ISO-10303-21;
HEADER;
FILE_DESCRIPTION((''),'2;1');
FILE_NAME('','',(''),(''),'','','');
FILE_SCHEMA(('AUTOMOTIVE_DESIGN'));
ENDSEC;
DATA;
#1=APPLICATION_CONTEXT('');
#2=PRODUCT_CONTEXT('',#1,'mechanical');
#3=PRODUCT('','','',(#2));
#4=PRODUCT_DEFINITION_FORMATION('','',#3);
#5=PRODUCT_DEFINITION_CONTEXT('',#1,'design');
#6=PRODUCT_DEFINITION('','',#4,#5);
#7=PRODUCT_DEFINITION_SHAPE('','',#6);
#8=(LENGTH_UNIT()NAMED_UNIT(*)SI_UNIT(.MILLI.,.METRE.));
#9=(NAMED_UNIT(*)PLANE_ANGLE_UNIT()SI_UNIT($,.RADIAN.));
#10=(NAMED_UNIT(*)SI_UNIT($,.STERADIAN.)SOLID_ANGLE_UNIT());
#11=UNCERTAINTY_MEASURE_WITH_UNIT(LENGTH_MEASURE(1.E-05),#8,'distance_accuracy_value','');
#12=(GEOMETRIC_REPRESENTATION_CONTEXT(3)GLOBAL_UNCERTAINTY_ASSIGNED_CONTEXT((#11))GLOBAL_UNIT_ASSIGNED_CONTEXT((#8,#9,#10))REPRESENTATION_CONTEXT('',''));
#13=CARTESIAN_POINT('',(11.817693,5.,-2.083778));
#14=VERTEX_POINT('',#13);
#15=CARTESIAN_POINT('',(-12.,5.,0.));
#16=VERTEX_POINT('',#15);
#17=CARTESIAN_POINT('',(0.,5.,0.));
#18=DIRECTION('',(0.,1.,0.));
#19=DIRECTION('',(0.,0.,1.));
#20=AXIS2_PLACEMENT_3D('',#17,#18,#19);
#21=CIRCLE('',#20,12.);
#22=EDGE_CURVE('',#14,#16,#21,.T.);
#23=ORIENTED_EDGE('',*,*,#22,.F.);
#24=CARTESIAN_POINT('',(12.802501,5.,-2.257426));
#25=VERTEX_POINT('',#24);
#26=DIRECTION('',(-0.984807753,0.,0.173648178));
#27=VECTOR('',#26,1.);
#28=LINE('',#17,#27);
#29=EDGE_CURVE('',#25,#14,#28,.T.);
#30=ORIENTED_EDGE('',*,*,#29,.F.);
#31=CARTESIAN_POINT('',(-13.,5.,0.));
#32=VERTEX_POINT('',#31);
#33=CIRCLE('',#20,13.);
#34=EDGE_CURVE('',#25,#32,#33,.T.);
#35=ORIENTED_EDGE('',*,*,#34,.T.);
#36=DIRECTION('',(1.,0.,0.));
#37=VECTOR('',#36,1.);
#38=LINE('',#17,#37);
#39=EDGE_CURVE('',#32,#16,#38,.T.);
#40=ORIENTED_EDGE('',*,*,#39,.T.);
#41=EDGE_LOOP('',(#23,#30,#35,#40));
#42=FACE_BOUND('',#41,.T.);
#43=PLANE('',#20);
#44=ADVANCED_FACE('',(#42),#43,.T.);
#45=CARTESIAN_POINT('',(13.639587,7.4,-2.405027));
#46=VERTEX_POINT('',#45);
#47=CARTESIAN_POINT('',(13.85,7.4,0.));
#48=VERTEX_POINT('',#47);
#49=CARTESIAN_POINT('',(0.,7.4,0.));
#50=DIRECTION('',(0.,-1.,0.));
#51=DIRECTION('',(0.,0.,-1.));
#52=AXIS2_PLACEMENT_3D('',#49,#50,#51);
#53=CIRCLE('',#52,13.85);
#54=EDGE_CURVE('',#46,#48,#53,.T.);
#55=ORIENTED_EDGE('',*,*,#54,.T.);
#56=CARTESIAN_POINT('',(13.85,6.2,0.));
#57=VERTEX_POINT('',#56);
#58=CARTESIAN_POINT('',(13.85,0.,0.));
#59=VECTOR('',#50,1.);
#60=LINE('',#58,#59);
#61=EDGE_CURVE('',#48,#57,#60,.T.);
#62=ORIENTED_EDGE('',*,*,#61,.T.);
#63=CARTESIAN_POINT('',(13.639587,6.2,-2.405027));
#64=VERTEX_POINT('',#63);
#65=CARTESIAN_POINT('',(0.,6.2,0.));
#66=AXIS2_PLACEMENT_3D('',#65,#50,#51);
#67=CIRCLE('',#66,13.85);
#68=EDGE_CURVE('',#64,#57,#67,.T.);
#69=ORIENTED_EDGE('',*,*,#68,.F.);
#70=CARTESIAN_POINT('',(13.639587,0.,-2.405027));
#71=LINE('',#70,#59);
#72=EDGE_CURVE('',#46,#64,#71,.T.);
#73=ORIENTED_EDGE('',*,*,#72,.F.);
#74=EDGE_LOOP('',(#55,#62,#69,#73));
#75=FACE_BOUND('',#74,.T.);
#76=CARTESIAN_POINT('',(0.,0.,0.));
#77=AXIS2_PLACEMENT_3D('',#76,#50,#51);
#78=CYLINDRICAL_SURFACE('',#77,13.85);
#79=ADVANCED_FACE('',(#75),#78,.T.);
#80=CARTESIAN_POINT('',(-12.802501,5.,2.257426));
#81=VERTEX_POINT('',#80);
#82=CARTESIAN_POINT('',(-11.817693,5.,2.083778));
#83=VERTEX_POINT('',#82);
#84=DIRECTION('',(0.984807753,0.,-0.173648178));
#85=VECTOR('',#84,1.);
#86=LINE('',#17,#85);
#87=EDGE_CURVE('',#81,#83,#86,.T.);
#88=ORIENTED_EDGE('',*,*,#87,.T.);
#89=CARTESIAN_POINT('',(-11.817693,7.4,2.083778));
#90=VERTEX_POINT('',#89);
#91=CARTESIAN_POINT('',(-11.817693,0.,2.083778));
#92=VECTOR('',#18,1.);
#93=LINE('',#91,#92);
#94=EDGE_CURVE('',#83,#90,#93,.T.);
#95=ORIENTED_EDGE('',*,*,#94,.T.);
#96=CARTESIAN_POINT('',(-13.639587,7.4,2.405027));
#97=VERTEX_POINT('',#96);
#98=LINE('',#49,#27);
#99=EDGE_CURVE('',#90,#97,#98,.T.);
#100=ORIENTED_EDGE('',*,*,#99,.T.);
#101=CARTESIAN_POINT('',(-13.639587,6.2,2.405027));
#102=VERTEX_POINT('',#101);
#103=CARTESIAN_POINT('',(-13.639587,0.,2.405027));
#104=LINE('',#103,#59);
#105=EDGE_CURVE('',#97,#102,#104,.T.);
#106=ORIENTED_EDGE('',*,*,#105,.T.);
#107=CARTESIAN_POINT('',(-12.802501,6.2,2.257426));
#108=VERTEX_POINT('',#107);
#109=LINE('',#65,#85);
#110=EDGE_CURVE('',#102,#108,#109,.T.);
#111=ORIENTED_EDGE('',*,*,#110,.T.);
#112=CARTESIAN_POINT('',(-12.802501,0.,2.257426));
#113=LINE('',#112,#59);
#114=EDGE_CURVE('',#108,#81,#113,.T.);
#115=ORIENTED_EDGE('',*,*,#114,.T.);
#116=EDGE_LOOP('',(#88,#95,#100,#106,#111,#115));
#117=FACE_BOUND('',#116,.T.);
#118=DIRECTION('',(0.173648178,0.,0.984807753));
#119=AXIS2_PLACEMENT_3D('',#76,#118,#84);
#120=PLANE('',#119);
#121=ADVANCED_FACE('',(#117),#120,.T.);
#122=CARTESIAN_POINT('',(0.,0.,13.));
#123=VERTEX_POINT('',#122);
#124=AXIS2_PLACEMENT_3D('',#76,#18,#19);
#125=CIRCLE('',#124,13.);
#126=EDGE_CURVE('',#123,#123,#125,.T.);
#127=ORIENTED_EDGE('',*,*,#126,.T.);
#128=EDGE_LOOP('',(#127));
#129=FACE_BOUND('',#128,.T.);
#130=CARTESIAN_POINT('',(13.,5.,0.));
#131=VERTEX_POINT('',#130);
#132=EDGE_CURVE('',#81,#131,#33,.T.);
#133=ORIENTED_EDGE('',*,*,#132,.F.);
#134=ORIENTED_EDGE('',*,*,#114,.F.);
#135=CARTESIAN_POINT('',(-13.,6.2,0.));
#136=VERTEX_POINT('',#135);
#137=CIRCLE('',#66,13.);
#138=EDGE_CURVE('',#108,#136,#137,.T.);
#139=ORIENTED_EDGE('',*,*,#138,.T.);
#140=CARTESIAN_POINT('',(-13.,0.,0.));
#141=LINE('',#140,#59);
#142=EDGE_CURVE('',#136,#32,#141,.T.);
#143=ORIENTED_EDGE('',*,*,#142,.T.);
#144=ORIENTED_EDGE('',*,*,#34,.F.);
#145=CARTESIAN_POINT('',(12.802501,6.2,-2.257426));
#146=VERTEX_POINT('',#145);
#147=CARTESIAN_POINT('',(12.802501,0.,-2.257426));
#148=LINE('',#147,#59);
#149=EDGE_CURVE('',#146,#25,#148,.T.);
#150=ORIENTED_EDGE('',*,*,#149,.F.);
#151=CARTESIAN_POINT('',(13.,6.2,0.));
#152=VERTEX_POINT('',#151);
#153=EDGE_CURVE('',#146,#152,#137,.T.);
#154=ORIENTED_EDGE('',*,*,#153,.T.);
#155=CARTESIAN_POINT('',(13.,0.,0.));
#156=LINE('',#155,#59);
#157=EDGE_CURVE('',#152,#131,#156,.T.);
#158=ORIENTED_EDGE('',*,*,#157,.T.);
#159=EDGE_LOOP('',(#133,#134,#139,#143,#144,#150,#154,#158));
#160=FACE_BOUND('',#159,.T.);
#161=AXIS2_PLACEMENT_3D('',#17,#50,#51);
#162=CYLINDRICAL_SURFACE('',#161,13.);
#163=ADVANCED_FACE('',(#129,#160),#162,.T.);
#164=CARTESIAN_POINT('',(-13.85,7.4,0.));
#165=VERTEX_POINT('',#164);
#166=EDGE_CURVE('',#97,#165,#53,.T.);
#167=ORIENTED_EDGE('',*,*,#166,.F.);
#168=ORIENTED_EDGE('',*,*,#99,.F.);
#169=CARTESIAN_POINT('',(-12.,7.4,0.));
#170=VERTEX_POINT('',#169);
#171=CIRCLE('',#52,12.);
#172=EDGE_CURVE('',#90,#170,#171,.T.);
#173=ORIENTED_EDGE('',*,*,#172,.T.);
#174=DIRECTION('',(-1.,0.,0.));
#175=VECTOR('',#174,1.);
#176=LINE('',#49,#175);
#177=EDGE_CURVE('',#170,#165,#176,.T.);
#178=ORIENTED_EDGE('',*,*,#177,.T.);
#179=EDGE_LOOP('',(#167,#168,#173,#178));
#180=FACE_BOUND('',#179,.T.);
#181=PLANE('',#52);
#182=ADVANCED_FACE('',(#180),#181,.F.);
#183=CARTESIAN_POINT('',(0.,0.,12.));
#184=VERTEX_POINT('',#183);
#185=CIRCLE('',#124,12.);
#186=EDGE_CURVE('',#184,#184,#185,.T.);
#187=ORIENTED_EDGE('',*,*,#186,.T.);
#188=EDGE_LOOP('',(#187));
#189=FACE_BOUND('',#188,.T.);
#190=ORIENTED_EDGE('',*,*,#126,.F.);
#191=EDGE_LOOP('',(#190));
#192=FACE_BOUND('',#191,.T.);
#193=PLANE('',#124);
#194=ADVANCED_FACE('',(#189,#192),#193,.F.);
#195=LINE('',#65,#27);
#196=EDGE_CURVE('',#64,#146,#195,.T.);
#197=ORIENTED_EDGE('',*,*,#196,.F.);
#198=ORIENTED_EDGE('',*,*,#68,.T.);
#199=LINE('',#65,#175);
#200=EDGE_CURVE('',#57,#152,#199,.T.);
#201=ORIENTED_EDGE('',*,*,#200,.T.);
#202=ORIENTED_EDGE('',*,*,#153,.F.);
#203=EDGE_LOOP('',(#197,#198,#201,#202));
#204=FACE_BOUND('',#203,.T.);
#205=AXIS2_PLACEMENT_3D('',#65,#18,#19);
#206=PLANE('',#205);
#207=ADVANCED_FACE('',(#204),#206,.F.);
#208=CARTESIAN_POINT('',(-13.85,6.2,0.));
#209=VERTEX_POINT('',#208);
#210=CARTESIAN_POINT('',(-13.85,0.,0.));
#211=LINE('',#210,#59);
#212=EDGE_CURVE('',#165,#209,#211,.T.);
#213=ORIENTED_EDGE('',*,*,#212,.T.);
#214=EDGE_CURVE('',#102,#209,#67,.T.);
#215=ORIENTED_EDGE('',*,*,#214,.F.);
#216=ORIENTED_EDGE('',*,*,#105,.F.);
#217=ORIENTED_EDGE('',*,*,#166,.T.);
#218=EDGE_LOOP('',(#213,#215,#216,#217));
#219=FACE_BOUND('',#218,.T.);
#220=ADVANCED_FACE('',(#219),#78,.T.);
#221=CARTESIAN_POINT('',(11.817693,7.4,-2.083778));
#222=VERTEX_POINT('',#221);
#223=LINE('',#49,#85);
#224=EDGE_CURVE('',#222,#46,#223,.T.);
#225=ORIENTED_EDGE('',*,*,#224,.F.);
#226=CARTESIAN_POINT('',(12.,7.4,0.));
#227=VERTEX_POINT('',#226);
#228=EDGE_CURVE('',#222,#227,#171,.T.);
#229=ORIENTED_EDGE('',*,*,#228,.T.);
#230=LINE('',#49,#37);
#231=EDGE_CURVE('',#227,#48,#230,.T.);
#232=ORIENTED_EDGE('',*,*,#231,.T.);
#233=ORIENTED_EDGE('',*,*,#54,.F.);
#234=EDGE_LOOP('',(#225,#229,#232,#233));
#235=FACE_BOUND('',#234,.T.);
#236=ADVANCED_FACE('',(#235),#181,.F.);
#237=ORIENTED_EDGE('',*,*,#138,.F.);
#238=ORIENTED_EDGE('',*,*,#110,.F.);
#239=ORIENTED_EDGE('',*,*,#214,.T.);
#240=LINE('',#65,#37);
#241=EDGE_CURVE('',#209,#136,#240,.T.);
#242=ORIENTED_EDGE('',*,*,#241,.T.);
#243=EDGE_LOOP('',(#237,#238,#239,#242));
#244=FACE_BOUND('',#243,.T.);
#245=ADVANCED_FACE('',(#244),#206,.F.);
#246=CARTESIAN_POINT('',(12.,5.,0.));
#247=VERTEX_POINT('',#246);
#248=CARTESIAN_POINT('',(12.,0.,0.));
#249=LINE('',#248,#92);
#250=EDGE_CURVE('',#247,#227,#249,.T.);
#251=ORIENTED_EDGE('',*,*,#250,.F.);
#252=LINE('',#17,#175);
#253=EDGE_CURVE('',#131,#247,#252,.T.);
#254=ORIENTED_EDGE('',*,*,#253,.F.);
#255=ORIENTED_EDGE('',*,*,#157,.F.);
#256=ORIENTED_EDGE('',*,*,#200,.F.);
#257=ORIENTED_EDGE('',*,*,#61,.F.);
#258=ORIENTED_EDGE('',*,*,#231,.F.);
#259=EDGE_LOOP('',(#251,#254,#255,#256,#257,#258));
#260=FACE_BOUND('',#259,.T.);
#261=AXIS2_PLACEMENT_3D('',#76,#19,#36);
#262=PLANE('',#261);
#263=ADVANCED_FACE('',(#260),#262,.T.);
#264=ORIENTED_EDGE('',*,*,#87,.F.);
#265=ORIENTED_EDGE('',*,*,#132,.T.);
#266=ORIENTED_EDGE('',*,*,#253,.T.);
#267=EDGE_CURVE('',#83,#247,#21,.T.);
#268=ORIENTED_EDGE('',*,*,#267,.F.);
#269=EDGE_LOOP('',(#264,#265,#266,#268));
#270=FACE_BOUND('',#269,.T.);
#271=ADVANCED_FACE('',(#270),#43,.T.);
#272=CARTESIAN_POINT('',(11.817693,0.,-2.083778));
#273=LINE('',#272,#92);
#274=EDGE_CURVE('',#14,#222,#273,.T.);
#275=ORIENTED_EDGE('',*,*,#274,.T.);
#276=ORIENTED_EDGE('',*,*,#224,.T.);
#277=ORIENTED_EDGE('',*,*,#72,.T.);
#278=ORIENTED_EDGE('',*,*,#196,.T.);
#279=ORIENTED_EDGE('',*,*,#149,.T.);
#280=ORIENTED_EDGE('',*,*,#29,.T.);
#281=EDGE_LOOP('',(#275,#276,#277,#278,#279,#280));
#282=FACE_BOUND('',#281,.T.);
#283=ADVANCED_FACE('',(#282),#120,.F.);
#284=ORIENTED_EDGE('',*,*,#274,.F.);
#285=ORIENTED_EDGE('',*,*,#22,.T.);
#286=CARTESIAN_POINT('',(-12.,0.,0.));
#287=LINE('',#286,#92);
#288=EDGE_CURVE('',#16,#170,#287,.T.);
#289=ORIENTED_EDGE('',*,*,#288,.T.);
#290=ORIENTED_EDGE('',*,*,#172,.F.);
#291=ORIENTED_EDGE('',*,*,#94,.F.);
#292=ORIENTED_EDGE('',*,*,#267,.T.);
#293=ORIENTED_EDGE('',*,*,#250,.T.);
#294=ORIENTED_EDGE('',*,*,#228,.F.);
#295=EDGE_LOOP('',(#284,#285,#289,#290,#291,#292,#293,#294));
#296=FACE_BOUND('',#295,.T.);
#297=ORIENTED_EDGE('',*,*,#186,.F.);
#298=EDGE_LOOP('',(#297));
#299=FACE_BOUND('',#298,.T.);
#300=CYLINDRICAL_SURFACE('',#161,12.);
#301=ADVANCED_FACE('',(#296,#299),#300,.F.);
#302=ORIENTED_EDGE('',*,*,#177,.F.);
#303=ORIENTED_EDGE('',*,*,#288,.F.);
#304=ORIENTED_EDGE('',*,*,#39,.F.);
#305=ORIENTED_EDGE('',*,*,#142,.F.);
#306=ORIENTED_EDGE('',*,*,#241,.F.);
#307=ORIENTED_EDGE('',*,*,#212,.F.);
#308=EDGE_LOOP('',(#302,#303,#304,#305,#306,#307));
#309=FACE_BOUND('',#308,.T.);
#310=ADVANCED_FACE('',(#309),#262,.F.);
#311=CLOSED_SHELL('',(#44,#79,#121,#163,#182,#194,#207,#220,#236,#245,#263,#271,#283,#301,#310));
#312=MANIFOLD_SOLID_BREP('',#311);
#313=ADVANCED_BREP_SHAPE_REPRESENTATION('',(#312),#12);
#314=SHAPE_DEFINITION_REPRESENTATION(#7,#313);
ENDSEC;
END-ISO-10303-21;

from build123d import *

# Parameters (mm, degrees)
SKETCH1_R           = 13
SKETCH1_R_2         = 12
BOSS_EXTRUDE1_DEPTH = 5
REVOLVE1_ANGLE      = 10


with BuildPart() as part:
    # Sketch1 → Boss-Extrude1 (new body)
    with BuildSketch(Plane(origin=(0, 0, 0), x_dir=(1, 0, 0), z_dir=(0, 1, 0))):
        with Locations(Location((0, 0, 0), (0, 0, 270))):
            Circle(SKETCH1_R)
        with Locations(Location((0, 0, 0), (0, 0, 270))):
            Circle(SKETCH1_R_2, mode=Mode.SUBTRACT)
    extrude(amount=BOSS_EXTRUDE1_DEPTH)

    # Sketch2 → Revolve1 (revolve)
    with BuildSketch(Plane.XY):
        Polygon((-13, 5), (-12, 5), (-12, 6.2), (-12, 7.4), (-13.85, 7.4), (-13.85, 6.2), (-13, 6.2), align=None)
        Polygon((12, 6.2), (12, 7.4), (13.85, 7.4), (13.85, 6.2), (13, 6.2), (13, 5), (12, 5), align=None)
    revolve(axis=Axis((0, 0, 0), (0, 1, 0)), revolution_arc=REVOLVE1_ANGLE)


solid = part.part
